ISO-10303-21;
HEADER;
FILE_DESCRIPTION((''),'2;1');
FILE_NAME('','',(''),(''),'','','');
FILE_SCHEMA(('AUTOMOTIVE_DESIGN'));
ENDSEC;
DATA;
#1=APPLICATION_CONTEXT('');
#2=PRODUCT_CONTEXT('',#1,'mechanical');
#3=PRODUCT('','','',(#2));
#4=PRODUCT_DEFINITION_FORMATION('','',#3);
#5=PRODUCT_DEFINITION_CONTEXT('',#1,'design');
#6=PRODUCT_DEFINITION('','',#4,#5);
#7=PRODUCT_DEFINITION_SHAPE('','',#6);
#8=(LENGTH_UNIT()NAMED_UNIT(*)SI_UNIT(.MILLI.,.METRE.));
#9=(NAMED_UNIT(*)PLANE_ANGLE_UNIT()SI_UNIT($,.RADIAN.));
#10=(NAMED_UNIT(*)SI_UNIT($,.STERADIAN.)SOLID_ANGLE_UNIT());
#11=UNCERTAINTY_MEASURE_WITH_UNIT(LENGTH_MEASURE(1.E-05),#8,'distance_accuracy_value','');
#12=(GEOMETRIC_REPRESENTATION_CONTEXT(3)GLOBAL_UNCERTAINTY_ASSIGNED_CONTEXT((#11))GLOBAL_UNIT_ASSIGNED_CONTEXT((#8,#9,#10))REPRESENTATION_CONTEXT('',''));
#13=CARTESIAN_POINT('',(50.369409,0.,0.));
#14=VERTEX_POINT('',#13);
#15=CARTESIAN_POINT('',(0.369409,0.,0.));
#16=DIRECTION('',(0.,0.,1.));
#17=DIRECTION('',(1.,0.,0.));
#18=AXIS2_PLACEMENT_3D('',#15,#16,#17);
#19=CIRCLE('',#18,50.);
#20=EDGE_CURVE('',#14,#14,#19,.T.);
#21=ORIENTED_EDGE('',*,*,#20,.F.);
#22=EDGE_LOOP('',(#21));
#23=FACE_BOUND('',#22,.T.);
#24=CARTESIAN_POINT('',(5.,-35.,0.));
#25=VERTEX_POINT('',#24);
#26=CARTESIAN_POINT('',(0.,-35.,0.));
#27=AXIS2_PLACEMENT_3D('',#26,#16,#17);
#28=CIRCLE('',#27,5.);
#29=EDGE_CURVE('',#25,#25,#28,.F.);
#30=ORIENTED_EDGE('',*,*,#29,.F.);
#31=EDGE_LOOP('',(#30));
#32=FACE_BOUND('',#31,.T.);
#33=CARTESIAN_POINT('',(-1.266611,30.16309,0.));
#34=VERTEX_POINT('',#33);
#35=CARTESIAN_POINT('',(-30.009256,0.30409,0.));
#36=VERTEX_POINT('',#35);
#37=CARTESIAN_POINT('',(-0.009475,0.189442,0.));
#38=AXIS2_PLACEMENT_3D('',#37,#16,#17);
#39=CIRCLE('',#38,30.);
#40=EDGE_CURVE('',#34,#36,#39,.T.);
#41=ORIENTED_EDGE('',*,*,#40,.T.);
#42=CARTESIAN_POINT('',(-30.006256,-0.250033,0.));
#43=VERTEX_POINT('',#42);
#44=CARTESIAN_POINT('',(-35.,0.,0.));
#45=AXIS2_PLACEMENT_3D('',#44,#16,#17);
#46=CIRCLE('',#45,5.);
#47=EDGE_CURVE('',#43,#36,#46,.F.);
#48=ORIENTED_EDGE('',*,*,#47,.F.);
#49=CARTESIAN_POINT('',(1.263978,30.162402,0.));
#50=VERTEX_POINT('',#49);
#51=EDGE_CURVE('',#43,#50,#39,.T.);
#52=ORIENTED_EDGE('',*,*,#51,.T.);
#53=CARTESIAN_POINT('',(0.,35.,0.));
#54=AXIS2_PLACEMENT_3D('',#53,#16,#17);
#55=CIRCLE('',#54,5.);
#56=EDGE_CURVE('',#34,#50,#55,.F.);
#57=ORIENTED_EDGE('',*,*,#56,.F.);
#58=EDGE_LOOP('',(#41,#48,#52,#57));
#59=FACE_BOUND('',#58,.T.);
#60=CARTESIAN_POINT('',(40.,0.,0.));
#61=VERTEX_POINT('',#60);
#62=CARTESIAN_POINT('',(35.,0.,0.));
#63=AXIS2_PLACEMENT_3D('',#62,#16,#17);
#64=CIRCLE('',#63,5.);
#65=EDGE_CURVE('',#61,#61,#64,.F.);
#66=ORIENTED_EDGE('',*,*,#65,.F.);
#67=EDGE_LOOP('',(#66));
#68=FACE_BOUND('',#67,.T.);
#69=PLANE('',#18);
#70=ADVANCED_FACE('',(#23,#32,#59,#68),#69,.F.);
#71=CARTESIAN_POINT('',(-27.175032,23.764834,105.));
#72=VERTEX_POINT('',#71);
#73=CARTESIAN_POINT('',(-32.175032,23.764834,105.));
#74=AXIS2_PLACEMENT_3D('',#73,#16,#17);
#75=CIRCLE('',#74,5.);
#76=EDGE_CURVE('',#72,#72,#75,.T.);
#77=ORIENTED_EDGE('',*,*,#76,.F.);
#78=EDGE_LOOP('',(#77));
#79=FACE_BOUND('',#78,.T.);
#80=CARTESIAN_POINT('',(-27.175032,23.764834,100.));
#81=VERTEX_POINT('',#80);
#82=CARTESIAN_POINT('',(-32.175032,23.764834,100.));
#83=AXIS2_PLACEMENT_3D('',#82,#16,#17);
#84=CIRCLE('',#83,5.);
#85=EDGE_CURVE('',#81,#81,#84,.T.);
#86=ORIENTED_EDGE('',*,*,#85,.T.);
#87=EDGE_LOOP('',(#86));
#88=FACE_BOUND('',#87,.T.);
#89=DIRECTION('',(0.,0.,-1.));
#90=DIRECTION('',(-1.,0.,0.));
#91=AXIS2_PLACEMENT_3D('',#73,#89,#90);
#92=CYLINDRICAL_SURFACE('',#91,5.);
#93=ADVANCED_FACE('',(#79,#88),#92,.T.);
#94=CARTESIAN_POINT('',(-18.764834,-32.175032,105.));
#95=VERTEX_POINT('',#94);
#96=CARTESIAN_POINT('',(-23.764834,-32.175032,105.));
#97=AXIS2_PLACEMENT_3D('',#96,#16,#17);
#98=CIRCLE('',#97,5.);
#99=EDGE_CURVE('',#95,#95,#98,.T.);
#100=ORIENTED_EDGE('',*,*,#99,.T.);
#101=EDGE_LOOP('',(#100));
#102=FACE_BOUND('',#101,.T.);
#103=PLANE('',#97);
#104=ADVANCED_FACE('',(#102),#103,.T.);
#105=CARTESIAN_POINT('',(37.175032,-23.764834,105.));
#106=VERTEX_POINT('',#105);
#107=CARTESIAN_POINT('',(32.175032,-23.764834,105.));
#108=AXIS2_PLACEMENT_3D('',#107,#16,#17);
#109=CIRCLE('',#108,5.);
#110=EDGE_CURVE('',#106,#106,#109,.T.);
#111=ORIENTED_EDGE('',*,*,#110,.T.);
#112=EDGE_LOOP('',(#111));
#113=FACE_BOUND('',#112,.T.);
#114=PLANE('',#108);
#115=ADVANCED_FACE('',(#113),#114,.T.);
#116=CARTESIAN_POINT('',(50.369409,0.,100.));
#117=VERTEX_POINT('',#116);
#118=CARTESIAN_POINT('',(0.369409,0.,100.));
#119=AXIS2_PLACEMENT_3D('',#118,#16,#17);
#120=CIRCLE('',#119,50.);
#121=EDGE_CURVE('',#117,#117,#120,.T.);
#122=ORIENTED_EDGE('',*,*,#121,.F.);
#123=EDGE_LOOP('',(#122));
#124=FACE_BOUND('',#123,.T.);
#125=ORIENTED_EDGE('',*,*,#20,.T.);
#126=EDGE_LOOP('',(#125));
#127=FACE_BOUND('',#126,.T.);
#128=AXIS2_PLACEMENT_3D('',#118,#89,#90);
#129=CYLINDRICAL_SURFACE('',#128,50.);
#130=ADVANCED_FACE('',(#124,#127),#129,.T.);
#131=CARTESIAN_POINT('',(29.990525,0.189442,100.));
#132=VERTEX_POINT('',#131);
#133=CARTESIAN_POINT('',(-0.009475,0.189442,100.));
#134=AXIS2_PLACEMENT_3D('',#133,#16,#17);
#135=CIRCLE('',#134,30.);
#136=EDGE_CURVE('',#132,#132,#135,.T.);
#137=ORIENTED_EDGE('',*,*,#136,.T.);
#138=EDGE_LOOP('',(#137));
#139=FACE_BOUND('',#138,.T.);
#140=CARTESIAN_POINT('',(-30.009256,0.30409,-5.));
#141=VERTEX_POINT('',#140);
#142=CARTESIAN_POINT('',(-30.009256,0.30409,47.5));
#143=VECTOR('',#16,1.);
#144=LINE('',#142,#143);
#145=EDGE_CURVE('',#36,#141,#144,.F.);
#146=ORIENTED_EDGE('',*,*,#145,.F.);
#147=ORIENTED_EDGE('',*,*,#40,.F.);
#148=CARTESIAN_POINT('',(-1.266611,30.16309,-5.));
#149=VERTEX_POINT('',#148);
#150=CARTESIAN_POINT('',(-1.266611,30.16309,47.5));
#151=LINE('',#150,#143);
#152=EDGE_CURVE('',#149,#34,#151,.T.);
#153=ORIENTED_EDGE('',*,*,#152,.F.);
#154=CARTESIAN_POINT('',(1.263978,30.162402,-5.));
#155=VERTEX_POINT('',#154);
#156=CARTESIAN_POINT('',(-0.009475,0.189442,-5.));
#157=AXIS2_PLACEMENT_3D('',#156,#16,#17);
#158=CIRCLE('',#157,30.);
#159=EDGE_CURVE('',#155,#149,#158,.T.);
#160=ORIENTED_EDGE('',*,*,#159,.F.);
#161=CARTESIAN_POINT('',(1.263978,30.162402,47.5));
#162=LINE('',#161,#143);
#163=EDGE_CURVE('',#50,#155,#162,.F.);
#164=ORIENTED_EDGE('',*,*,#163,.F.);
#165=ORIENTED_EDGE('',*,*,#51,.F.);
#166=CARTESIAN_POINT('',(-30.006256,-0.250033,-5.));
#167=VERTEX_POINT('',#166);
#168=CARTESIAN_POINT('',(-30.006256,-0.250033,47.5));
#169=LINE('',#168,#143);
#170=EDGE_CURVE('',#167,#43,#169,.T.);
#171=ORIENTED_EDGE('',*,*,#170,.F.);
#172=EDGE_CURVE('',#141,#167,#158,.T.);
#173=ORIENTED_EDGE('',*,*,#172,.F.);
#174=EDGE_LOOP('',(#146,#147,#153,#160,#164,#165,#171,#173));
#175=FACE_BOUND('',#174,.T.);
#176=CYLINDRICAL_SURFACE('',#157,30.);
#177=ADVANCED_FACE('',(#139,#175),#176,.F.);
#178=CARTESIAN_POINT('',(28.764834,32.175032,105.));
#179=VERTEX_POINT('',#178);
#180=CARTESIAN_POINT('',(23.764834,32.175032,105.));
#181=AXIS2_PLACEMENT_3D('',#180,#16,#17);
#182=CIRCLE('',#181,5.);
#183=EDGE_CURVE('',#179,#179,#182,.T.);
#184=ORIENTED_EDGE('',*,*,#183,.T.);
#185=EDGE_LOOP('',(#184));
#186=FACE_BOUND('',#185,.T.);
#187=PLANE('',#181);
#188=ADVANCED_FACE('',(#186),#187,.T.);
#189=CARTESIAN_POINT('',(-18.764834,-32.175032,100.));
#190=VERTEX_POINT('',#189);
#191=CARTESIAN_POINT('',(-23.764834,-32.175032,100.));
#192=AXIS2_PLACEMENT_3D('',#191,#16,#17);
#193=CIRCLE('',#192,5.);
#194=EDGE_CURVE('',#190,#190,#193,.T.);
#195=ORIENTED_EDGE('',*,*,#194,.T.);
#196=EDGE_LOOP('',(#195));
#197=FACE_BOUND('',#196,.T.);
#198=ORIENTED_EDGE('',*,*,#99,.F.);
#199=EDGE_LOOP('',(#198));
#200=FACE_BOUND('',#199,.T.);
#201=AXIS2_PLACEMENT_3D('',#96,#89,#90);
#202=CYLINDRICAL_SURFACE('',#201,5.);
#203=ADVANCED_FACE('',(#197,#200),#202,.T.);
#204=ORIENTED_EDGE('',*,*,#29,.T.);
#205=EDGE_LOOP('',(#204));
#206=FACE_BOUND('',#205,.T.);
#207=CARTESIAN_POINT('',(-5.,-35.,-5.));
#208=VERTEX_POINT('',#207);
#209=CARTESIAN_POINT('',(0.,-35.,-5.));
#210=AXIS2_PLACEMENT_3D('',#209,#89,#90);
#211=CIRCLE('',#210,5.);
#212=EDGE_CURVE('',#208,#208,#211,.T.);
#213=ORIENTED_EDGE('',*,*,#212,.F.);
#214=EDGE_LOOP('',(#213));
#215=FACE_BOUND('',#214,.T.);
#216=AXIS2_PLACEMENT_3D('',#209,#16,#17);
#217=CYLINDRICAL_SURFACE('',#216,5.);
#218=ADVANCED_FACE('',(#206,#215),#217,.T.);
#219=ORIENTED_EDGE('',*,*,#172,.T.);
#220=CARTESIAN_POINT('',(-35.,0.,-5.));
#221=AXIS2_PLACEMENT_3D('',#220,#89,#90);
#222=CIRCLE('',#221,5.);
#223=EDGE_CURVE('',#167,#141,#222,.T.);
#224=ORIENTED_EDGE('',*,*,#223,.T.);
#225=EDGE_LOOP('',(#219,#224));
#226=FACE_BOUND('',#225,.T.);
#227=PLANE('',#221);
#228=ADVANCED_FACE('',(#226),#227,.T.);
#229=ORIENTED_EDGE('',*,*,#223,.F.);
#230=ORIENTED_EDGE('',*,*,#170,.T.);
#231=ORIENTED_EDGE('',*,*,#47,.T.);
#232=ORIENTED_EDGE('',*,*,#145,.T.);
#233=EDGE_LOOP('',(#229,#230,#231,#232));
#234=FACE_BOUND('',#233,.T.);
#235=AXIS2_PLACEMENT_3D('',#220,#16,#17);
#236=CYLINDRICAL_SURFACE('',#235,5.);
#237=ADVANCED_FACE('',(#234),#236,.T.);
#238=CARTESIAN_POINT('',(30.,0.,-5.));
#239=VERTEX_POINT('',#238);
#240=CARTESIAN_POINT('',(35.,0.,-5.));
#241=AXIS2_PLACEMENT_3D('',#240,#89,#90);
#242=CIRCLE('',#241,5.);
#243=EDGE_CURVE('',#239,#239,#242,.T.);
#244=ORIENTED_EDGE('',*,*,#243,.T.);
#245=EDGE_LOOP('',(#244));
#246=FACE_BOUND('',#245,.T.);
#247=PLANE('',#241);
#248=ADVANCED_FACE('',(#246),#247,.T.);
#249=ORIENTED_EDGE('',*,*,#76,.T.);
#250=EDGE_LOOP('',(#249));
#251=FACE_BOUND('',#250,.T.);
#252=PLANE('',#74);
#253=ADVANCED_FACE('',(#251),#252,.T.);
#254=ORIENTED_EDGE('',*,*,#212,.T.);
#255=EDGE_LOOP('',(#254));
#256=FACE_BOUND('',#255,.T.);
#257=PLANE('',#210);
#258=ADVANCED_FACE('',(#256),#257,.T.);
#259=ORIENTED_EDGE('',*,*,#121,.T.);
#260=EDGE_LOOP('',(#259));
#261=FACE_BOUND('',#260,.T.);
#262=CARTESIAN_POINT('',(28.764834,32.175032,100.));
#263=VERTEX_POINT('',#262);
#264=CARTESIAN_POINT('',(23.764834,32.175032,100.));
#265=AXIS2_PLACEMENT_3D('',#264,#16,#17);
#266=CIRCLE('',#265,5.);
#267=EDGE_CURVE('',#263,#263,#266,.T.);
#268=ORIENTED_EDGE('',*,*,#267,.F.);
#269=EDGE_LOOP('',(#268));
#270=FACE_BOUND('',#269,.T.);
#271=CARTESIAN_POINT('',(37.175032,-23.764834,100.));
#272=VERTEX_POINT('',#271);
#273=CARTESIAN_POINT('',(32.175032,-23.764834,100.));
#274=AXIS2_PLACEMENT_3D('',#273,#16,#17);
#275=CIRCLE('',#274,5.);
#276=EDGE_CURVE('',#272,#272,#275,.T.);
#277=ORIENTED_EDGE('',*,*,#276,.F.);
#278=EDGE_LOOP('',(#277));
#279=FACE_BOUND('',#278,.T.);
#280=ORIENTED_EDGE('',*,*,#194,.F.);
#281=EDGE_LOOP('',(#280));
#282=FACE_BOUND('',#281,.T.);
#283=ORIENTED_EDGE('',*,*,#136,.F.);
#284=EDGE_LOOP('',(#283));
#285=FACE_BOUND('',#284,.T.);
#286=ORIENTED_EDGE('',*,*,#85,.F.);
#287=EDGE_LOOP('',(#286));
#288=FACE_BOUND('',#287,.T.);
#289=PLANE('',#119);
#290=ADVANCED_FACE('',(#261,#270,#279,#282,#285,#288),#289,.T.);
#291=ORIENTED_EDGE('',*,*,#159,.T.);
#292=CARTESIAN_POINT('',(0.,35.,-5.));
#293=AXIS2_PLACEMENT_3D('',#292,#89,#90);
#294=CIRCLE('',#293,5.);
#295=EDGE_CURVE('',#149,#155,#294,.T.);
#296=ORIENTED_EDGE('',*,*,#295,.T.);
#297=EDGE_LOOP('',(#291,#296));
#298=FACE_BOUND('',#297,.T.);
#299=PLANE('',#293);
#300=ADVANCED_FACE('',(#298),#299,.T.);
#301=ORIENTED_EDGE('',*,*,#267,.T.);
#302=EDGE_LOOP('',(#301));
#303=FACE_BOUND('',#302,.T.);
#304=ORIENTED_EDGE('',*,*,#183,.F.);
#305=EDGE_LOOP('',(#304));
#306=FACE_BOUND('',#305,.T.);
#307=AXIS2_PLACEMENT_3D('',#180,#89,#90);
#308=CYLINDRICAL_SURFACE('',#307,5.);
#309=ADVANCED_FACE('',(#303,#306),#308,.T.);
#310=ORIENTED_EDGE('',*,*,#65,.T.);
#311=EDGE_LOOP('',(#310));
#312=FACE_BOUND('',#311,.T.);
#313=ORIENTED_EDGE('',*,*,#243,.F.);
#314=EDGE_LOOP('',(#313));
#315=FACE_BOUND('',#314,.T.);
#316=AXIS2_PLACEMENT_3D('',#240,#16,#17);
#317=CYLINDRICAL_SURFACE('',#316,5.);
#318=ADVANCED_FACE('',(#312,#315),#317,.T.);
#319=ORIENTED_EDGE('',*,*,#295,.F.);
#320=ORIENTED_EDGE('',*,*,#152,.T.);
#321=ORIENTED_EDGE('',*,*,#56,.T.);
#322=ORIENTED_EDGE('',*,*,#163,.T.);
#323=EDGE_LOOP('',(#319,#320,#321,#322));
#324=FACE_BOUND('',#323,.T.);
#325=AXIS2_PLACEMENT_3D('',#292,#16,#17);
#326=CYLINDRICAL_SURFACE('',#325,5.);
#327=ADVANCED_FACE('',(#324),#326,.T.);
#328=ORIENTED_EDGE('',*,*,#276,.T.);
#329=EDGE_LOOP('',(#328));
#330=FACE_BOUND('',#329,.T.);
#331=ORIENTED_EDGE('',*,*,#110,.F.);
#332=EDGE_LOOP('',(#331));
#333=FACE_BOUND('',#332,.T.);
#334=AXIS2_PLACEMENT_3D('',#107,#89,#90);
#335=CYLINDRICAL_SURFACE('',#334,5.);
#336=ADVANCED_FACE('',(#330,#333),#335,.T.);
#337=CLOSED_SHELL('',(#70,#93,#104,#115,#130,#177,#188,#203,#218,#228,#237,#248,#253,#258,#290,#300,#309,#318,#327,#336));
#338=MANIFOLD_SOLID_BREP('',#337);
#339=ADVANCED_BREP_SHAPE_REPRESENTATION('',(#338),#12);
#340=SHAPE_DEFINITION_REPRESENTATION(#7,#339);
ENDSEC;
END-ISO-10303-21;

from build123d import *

# Parameters (mm, degrees)
SKETCH1_R           = 50
BOSS_EXTRUDE1_DEPTH = 100
SKETCH3_R           = 5
BOSS_EXTRUDE3_DEPTH = 5
SKETCH4_R           = 5
BOSS_EXTRUDE4_DEPTH = 5
SKETCH5_R           = 30
CUT_EXTRUDE1_DEPTH  = 127.736251111


with BuildPart() as part:
    # Sketch1 → Boss-Extrude1 (new body)
    with BuildSketch(Plane.XY):
        with Locations((0.369408828, 0)):
            Circle(SKETCH1_R)
    extrude(amount=BOSS_EXTRUDE1_DEPTH)

    # Sketch3 → Boss-Extrude3 (add)
    with BuildSketch(Plane(origin=(0, 0, 0), x_dir=(-1, 0, 0), z_dir=(0, 0, -1))):
        with Locations(Location((0, 35, 0), (0, 0, 180))):
            Circle(SKETCH3_R)
        with Locations(Location((35, 0, 0), (0, 0, 180))):
            Circle(SKETCH3_R)
        with Locations(Location((0, -35, 0), (0, 0, 180))):
            Circle(SKETCH3_R)
        with Locations(Location((-35, 0, 0), (0, 0, 180))):
            Circle(SKETCH3_R)
    extrude(amount=BOSS_EXTRUDE3_DEPTH)

    # Sketch4 → Boss-Extrude4 (add)
    with BuildSketch(Plane.XY.offset(100)):
        with Locations((23.764833651, 32.175031958)):
            Circle(SKETCH4_R)
        with Locations((32.175031958, -23.764833651)):
            Circle(SKETCH4_R)
        with Locations((-23.764833651, -32.175031958)):
            Circle(SKETCH4_R)
        with Locations((-32.175031958, 23.764833651)):
            Circle(SKETCH4_R)
    extrude(amount=BOSS_EXTRUDE4_DEPTH)

    # Sketch5 → Cut-Extrude1 (cut, through all)
    with BuildSketch(Plane.XY.offset(100)):
        with Locations((-0.009474688, 0.189441758)):
            Circle(SKETCH5_R)
    extrude(amount=-CUT_EXTRUDE1_DEPTH, mode=Mode.SUBTRACT)


solid = part.part
